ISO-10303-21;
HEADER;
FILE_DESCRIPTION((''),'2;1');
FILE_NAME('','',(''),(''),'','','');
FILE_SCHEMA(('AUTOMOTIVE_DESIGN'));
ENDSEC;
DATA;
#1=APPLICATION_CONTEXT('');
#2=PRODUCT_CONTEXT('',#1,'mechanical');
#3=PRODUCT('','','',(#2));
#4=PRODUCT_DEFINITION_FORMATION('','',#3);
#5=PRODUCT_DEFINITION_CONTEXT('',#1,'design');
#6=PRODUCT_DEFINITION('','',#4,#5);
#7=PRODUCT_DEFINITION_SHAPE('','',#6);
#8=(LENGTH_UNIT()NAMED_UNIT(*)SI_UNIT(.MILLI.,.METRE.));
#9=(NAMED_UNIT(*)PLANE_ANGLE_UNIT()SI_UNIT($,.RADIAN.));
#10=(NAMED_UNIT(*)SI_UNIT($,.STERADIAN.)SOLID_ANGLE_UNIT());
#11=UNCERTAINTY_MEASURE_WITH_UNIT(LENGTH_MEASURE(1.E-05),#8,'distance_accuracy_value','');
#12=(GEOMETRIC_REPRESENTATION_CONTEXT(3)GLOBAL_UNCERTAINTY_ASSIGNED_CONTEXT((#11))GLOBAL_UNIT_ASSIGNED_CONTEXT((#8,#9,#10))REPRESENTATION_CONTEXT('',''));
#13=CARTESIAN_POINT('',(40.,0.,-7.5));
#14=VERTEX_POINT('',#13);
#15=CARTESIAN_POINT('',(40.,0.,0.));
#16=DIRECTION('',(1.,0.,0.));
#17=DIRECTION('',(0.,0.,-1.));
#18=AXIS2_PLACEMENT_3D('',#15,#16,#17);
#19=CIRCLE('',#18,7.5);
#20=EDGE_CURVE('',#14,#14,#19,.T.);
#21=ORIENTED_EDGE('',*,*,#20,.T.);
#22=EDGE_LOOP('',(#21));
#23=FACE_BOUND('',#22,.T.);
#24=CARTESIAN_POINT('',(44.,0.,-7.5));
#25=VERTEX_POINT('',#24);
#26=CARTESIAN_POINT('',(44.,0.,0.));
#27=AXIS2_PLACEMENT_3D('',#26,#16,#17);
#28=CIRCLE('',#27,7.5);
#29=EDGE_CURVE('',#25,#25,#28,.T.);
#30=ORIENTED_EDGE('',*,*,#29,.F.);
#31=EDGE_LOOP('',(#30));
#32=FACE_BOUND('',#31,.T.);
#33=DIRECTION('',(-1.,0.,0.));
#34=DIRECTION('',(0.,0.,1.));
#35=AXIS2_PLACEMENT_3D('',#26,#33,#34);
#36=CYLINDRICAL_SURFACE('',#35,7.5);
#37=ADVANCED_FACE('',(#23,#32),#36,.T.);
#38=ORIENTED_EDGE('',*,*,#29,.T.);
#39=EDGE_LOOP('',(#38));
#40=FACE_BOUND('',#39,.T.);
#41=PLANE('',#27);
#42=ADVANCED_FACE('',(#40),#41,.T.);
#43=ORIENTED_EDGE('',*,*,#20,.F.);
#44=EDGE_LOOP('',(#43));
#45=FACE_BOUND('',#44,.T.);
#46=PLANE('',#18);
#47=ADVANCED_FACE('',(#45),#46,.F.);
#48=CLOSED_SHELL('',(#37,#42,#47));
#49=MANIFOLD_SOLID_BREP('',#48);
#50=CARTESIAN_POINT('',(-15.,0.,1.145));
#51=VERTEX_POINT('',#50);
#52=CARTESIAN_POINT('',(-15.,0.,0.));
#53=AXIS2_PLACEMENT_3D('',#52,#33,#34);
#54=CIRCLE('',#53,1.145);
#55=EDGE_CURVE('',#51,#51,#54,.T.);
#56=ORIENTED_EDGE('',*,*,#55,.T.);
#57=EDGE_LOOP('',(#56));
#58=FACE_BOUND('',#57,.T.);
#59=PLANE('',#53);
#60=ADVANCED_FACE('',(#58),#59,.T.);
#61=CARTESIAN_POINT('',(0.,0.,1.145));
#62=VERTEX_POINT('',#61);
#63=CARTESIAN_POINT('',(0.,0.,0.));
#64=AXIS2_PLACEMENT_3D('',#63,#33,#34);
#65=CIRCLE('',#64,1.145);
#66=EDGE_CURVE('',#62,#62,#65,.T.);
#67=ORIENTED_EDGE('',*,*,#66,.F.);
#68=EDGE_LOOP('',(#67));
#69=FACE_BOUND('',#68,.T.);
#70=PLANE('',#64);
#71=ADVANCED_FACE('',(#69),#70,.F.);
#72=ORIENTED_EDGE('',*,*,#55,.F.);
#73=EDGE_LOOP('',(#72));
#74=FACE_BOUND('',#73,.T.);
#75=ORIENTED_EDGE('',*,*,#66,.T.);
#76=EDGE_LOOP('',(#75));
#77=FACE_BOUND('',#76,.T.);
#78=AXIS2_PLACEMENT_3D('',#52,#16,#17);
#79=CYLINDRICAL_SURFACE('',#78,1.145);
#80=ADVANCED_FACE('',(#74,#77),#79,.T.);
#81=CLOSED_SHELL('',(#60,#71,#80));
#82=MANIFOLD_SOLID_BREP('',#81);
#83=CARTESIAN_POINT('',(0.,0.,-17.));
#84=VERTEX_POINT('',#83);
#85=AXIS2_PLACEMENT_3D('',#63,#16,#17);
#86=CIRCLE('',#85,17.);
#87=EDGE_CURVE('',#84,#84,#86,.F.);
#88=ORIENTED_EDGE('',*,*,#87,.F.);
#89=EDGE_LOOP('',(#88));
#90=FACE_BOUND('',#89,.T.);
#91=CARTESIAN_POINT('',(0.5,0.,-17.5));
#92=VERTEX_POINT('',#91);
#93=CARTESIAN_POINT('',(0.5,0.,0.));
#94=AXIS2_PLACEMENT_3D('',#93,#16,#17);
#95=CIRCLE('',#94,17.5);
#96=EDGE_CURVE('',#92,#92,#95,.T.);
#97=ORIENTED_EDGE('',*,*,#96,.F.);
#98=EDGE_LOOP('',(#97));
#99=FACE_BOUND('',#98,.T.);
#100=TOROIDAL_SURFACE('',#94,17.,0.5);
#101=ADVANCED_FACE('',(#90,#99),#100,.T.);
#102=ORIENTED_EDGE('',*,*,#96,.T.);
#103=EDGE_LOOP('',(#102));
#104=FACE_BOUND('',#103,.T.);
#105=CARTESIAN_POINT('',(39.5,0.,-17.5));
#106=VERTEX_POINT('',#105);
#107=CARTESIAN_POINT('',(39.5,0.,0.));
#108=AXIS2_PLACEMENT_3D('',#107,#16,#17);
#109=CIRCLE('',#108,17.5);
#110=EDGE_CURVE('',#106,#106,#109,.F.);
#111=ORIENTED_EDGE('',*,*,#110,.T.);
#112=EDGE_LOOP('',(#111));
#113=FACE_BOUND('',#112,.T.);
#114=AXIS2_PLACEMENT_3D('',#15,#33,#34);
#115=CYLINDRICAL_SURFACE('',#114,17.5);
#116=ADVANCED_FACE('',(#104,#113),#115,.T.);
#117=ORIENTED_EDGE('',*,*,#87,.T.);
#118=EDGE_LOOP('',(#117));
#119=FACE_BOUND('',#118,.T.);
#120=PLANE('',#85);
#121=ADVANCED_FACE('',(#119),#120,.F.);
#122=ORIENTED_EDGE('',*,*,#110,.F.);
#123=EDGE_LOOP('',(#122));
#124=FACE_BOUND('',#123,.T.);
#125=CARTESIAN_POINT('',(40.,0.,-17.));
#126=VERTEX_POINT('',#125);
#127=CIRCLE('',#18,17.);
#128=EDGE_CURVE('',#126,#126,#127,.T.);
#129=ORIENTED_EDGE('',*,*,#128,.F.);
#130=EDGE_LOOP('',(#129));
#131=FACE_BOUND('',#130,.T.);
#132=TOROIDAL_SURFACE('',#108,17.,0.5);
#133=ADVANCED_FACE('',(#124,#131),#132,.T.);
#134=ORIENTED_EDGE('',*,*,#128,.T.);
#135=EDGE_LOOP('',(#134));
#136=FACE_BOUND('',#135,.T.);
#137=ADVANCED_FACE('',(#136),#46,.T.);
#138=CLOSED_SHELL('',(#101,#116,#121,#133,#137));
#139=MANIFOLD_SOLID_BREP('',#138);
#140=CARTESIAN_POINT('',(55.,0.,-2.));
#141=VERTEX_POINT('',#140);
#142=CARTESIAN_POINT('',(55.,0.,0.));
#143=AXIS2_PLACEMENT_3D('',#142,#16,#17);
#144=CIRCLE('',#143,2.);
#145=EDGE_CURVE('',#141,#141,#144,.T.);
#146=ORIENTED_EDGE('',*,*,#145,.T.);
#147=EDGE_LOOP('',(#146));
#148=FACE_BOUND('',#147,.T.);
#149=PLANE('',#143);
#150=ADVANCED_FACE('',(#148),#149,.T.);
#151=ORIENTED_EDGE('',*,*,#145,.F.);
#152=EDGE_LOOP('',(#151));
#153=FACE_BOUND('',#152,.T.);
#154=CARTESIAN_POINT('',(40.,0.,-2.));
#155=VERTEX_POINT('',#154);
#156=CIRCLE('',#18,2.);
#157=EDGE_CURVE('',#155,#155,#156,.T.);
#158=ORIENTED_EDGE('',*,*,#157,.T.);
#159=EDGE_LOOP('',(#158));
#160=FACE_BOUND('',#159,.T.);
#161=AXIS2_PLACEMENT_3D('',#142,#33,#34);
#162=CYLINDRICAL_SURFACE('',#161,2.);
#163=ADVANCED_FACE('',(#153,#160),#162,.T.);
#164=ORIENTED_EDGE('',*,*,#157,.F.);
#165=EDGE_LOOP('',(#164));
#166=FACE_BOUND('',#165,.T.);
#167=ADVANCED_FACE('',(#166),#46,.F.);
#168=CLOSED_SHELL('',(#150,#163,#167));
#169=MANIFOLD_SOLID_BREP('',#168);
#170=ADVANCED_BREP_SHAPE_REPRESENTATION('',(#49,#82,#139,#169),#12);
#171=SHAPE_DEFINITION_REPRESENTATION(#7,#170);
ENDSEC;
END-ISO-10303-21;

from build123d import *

# Parameters (mm, degrees)
CROQUIS1_R              = 17.5
SALIENTE_EXTRUIR1_DEPTH = 40
CROQUIS3_R              = 2
SALIENTE_EXTRUIR2_DEPTH = 15
CROQUIS4_R              = 7.5
SALIENTE_EXTRUIR3_DEPTH = 4
CROQUIS5_R              = 1.145
SALIENTE_EXTRUIR4_DEPTH = 15
REDONDEO1_R             = 0.5
REDONDEO2_R             = 0.5


with BuildPart() as part:
    # Croquis1 → Saliente-Extruir1 (new body)
    with BuildSketch(Plane(origin=(0, 0, 0), x_dir=(0, 0, -1), z_dir=(1, 0, 0))):
        Circle(CROQUIS1_R)
    extrude(amount=SALIENTE_EXTRUIR1_DEPTH)

    # Redondeo1
    redondeo1_edges = [part.edges().sort_by_distance(p)[0] for p in [
        (0, 0, 17.5),
    ]]
    fillet(redondeo1_edges, radius=REDONDEO1_R)

    # Redondeo2
    redondeo2_edges = [part.edges().sort_by_distance(p)[0] for p in [
        (40, 0, 17.5),
    ]]
    fillet(redondeo2_edges, radius=REDONDEO2_R)


with BuildPart() as body_2:
    # Croquis3 → Saliente-Extruir2 (new body)
    with BuildSketch(Plane(origin=(40, 0, 0), x_dir=(0, 0, -1), z_dir=(1, 0, 0))):
        Circle(CROQUIS3_R)
    extrude(amount=SALIENTE_EXTRUIR2_DEPTH)


with BuildPart() as body_3:
    # Croquis4 → Saliente-Extruir3 (new body)
    with BuildSketch(Plane(origin=(40, 0, 0), x_dir=(0, 0, -1), z_dir=(1, 0, 0))):
        Circle(CROQUIS4_R)
    extrude(amount=SALIENTE_EXTRUIR3_DEPTH)


with BuildPart() as body_4:
    # Croquis5 → Saliente-Extruir4 (new body)
    with BuildSketch(Plane.ZY):
        Circle(CROQUIS5_R)
    extrude(amount=SALIENTE_EXTRUIR4_DEPTH)


solid = Compound([part.part, body_2.part, body_3.part, body_4.part])
